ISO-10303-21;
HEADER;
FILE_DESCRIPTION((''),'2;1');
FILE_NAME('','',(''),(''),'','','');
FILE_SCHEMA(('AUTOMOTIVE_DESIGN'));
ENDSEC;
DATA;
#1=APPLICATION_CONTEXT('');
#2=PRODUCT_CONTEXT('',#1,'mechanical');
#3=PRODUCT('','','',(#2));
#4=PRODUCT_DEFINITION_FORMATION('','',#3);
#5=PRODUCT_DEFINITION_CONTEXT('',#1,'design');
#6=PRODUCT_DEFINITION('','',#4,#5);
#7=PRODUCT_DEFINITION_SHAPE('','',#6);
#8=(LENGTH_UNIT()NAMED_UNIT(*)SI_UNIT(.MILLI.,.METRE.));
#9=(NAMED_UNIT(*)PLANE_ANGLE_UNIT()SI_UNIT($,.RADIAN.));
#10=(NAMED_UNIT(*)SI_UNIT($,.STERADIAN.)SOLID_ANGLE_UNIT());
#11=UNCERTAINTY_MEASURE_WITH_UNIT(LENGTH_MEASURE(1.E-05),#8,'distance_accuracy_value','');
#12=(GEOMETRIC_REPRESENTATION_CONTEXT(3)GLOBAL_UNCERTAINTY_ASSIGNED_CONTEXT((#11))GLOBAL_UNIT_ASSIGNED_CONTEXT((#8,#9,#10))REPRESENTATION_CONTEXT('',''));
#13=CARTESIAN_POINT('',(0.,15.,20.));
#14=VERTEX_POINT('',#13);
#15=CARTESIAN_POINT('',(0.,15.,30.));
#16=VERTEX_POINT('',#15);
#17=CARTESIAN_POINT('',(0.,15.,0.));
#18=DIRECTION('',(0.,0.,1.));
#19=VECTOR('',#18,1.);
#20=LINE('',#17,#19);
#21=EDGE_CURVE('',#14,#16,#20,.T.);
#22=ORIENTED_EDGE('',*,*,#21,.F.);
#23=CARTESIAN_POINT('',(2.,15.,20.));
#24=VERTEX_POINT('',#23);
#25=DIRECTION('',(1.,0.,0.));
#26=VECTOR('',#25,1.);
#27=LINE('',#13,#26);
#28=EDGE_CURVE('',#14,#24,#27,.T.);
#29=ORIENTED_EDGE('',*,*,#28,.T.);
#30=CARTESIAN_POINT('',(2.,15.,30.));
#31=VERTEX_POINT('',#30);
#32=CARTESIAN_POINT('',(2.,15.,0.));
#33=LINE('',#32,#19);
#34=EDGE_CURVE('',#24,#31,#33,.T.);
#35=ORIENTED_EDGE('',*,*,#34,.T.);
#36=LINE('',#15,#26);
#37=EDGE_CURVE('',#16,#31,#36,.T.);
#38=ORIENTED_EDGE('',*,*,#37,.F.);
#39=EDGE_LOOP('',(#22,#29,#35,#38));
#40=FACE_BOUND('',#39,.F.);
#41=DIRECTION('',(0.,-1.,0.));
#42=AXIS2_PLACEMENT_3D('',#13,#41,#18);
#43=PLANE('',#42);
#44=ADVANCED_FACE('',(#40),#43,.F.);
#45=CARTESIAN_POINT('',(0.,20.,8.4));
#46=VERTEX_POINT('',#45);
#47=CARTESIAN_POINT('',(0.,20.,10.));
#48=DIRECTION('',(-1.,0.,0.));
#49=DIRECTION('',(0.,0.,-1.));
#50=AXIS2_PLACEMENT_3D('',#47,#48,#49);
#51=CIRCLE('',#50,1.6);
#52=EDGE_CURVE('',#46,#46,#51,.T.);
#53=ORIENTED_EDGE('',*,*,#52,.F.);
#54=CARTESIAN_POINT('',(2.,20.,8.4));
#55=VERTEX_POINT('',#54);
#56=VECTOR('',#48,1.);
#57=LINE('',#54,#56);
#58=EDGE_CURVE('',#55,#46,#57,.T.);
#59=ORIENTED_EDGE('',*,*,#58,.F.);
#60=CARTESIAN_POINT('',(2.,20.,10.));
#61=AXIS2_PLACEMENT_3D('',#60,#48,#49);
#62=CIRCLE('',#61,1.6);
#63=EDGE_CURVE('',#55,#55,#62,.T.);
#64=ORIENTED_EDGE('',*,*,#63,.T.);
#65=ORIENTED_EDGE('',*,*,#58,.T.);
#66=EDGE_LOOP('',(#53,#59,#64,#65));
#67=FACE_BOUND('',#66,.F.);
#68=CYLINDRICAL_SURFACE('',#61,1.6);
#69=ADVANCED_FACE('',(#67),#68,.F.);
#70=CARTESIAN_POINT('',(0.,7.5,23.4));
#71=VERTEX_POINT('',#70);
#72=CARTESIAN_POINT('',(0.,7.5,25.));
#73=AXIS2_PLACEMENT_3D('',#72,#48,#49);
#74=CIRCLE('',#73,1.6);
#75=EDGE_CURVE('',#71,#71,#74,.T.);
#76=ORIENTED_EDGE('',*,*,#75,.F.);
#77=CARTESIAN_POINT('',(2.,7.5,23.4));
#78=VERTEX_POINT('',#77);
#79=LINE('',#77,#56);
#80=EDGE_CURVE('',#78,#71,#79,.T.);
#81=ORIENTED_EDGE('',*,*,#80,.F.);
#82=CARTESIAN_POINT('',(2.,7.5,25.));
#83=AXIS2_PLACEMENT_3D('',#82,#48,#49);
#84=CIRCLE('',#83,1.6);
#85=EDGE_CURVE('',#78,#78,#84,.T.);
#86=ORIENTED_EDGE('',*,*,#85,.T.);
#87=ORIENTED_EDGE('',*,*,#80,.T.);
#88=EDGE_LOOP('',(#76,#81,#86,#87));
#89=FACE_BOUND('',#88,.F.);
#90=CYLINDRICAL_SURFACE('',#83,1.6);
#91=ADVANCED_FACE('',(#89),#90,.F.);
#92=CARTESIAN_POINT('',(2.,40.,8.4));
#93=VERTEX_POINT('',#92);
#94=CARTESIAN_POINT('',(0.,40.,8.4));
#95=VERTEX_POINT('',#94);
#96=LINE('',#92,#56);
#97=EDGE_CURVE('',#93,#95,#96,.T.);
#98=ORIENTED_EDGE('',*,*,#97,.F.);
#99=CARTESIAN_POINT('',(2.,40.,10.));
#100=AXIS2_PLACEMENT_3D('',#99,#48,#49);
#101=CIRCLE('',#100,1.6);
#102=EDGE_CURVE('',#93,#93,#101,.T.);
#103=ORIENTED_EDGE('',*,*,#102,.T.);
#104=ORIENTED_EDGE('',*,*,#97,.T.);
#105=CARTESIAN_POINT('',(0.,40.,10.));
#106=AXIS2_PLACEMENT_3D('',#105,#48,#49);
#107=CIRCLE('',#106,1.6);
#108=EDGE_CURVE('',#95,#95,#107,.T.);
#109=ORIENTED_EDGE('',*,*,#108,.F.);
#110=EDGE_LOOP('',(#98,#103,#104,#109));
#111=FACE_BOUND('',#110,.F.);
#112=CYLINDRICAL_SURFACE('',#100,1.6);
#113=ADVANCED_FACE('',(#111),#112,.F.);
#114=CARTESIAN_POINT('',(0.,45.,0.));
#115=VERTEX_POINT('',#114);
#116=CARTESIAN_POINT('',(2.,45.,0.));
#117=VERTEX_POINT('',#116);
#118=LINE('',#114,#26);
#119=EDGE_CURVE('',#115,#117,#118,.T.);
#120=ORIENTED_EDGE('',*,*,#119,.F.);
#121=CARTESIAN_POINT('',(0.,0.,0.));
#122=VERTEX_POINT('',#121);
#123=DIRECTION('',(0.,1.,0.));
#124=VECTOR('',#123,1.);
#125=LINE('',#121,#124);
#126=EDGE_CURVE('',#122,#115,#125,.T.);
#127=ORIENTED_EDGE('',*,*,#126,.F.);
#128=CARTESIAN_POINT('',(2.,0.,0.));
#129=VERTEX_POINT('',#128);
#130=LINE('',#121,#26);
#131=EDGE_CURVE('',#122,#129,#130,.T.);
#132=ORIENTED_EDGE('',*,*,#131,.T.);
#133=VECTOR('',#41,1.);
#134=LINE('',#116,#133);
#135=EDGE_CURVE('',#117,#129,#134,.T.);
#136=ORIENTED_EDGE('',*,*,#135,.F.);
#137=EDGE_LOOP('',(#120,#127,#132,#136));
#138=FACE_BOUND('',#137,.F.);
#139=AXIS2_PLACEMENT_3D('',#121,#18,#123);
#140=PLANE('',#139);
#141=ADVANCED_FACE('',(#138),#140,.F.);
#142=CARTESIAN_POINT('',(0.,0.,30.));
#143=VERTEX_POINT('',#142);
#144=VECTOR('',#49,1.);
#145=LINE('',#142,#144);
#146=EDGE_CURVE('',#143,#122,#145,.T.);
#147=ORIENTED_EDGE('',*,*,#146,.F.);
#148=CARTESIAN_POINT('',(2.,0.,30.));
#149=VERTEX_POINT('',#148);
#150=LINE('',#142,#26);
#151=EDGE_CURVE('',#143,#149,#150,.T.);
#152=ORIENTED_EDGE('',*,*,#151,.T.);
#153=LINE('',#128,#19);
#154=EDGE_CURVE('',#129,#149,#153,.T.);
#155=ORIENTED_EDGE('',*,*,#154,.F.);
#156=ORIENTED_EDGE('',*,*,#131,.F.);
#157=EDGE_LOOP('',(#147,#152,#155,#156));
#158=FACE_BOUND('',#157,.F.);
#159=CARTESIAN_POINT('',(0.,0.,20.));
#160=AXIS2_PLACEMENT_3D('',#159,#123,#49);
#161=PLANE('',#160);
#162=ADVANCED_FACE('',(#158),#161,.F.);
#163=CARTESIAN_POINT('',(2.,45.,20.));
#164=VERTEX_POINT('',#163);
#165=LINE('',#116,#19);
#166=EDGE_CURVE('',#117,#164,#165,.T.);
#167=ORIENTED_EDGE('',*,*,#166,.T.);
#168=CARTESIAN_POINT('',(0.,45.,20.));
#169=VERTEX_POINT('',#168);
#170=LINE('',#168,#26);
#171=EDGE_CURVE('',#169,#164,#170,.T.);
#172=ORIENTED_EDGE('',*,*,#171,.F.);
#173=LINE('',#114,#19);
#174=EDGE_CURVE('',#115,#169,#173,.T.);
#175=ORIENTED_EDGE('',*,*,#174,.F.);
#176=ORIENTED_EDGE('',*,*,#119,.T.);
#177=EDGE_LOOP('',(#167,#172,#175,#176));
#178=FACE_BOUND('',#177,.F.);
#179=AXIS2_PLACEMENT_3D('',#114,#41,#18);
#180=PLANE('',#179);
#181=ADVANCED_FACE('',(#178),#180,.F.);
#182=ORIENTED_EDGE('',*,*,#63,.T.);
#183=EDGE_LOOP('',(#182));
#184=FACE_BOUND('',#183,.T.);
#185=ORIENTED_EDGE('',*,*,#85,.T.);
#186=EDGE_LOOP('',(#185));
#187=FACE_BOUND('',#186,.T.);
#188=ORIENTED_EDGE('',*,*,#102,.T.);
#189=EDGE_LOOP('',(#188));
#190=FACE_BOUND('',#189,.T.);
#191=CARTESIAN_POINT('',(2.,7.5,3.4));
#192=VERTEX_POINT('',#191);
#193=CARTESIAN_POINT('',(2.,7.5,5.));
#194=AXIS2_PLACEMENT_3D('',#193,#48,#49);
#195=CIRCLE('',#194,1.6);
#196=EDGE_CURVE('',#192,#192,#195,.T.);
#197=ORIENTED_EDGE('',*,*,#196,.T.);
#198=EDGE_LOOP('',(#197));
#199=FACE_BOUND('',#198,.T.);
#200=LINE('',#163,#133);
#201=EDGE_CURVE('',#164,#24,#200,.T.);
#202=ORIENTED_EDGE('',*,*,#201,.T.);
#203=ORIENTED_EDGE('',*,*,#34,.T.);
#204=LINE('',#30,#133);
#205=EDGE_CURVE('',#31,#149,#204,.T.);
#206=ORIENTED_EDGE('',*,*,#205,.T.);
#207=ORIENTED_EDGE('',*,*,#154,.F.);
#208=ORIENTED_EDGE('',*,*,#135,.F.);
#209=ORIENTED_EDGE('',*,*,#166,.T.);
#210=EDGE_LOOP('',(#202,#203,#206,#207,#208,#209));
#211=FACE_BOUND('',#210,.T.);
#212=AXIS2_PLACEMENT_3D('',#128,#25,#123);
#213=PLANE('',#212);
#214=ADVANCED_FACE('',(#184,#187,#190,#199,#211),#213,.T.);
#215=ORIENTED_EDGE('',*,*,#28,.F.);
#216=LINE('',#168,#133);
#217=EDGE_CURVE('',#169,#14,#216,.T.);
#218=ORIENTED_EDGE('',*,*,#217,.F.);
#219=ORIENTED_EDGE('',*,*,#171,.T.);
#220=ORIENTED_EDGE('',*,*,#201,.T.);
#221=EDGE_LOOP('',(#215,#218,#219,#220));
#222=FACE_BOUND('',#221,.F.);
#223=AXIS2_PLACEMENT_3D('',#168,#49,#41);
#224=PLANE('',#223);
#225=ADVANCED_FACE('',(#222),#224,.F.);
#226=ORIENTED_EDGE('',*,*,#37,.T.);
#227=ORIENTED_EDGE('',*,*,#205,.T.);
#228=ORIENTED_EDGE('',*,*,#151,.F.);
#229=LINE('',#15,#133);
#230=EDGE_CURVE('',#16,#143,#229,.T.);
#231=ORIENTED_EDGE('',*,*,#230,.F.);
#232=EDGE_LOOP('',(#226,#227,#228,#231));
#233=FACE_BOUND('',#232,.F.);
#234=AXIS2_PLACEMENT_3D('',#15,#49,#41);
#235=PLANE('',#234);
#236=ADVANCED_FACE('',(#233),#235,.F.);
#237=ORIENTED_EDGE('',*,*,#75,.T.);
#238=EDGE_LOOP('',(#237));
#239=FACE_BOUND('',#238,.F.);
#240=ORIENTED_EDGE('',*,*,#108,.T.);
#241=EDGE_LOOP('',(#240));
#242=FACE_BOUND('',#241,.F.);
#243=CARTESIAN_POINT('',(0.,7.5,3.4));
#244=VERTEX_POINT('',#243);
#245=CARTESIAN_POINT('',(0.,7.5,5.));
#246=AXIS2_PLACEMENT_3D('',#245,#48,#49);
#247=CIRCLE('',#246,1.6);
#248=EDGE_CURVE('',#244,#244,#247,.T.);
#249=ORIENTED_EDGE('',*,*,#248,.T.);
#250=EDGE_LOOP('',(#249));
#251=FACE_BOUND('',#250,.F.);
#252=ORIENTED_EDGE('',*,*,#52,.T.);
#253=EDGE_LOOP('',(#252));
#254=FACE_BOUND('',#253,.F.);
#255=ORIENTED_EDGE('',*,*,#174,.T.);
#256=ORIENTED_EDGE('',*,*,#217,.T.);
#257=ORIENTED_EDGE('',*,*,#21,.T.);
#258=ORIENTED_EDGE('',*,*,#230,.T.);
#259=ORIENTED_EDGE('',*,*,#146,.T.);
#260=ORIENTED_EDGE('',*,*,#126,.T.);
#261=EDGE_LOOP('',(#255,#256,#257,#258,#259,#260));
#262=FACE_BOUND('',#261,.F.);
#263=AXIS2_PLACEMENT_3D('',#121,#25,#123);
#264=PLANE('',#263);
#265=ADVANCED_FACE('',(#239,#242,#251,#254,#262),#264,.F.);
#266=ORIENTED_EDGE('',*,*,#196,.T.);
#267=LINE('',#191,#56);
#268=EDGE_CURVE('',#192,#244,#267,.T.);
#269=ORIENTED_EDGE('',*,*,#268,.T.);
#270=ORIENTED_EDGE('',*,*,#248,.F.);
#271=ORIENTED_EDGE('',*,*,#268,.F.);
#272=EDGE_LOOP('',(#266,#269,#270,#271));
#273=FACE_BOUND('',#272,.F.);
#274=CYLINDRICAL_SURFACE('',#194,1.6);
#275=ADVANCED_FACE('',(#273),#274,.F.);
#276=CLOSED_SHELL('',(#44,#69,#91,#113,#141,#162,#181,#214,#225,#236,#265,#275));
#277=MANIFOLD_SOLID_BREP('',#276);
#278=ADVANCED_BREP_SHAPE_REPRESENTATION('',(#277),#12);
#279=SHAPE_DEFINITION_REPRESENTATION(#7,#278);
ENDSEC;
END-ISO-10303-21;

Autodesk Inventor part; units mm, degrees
ref_plane "YZ Plane" through (0, 0, 0) normal (1, 0, 0) x (0, 1, 0)
ref_plane "XZ Plane" through (0, 0, 0) normal (0, 1, 0) x (-1, 0, 0)
ref_plane "XY Plane" through (0, 0, 0) normal (0, 0, 1) x (1, 0, 0)
sketch "スケッチ1" plane through (0, 0, 0) normal (1, 0, 0) x (0, 1, 0)
  line L0 (0, 0) -> (45, 0)
  line L1 (45, 0) -> (45, 20)
  line L2 (45, 20) -> (0, 20)
  line L3 (0, 20) -> (0, 0)
  line L4 (0, 0) -> (15, 0)
  line L5 (15, 0) -> (15, 30)
  line L6 (15, 30) -> (0, 30)
  line L7 (0, 30) -> (0, 0)
  point P0 (0, 20)
  point P1 (15, 20)
  dimension "d0" = 20
  dimension "d1" = 15
  dimension "d2" = 30
  dimension "d3" = 30
extrude "押し出し1" add sketch "スケッチ1" along normal blind 2
sketch "スケッチ2" plane through (2, 0, 0) normal (1, 0, 0) x (0, 0, -1)
  line L0 (-30, 15) -> (-30, 0) projected
  line L1 (-30, 7.5) -> (0, 7.5) construction
  line L2 (0, 0) -> (0, 45) projected
  line L3 (0, 45) -> (-20, 45) projected
  line L4 (-10, 45) -> (-10, 0) construction
  line L5 (-30, 0) -> (0, 0) projected
  point P0 (-25, 7.5)
  point P1 (-5, 7.5)
  point P2 (-10, 20)
  point P3 (-10, 40)
  dimension "d6" = 20
  dimension "d7" = 5
  dimension "d8" = 20
  dimension "d9" = 5
hole "穴1" at (2, 7.5, 25) at (2, 7.5, 5) at (2, 20, 10) at (2, 40, 10) direction (-1, 0, 0) diameter 3.2 end through all
properties part number "FrameJointL1520" material "アルミニウム 6061"
